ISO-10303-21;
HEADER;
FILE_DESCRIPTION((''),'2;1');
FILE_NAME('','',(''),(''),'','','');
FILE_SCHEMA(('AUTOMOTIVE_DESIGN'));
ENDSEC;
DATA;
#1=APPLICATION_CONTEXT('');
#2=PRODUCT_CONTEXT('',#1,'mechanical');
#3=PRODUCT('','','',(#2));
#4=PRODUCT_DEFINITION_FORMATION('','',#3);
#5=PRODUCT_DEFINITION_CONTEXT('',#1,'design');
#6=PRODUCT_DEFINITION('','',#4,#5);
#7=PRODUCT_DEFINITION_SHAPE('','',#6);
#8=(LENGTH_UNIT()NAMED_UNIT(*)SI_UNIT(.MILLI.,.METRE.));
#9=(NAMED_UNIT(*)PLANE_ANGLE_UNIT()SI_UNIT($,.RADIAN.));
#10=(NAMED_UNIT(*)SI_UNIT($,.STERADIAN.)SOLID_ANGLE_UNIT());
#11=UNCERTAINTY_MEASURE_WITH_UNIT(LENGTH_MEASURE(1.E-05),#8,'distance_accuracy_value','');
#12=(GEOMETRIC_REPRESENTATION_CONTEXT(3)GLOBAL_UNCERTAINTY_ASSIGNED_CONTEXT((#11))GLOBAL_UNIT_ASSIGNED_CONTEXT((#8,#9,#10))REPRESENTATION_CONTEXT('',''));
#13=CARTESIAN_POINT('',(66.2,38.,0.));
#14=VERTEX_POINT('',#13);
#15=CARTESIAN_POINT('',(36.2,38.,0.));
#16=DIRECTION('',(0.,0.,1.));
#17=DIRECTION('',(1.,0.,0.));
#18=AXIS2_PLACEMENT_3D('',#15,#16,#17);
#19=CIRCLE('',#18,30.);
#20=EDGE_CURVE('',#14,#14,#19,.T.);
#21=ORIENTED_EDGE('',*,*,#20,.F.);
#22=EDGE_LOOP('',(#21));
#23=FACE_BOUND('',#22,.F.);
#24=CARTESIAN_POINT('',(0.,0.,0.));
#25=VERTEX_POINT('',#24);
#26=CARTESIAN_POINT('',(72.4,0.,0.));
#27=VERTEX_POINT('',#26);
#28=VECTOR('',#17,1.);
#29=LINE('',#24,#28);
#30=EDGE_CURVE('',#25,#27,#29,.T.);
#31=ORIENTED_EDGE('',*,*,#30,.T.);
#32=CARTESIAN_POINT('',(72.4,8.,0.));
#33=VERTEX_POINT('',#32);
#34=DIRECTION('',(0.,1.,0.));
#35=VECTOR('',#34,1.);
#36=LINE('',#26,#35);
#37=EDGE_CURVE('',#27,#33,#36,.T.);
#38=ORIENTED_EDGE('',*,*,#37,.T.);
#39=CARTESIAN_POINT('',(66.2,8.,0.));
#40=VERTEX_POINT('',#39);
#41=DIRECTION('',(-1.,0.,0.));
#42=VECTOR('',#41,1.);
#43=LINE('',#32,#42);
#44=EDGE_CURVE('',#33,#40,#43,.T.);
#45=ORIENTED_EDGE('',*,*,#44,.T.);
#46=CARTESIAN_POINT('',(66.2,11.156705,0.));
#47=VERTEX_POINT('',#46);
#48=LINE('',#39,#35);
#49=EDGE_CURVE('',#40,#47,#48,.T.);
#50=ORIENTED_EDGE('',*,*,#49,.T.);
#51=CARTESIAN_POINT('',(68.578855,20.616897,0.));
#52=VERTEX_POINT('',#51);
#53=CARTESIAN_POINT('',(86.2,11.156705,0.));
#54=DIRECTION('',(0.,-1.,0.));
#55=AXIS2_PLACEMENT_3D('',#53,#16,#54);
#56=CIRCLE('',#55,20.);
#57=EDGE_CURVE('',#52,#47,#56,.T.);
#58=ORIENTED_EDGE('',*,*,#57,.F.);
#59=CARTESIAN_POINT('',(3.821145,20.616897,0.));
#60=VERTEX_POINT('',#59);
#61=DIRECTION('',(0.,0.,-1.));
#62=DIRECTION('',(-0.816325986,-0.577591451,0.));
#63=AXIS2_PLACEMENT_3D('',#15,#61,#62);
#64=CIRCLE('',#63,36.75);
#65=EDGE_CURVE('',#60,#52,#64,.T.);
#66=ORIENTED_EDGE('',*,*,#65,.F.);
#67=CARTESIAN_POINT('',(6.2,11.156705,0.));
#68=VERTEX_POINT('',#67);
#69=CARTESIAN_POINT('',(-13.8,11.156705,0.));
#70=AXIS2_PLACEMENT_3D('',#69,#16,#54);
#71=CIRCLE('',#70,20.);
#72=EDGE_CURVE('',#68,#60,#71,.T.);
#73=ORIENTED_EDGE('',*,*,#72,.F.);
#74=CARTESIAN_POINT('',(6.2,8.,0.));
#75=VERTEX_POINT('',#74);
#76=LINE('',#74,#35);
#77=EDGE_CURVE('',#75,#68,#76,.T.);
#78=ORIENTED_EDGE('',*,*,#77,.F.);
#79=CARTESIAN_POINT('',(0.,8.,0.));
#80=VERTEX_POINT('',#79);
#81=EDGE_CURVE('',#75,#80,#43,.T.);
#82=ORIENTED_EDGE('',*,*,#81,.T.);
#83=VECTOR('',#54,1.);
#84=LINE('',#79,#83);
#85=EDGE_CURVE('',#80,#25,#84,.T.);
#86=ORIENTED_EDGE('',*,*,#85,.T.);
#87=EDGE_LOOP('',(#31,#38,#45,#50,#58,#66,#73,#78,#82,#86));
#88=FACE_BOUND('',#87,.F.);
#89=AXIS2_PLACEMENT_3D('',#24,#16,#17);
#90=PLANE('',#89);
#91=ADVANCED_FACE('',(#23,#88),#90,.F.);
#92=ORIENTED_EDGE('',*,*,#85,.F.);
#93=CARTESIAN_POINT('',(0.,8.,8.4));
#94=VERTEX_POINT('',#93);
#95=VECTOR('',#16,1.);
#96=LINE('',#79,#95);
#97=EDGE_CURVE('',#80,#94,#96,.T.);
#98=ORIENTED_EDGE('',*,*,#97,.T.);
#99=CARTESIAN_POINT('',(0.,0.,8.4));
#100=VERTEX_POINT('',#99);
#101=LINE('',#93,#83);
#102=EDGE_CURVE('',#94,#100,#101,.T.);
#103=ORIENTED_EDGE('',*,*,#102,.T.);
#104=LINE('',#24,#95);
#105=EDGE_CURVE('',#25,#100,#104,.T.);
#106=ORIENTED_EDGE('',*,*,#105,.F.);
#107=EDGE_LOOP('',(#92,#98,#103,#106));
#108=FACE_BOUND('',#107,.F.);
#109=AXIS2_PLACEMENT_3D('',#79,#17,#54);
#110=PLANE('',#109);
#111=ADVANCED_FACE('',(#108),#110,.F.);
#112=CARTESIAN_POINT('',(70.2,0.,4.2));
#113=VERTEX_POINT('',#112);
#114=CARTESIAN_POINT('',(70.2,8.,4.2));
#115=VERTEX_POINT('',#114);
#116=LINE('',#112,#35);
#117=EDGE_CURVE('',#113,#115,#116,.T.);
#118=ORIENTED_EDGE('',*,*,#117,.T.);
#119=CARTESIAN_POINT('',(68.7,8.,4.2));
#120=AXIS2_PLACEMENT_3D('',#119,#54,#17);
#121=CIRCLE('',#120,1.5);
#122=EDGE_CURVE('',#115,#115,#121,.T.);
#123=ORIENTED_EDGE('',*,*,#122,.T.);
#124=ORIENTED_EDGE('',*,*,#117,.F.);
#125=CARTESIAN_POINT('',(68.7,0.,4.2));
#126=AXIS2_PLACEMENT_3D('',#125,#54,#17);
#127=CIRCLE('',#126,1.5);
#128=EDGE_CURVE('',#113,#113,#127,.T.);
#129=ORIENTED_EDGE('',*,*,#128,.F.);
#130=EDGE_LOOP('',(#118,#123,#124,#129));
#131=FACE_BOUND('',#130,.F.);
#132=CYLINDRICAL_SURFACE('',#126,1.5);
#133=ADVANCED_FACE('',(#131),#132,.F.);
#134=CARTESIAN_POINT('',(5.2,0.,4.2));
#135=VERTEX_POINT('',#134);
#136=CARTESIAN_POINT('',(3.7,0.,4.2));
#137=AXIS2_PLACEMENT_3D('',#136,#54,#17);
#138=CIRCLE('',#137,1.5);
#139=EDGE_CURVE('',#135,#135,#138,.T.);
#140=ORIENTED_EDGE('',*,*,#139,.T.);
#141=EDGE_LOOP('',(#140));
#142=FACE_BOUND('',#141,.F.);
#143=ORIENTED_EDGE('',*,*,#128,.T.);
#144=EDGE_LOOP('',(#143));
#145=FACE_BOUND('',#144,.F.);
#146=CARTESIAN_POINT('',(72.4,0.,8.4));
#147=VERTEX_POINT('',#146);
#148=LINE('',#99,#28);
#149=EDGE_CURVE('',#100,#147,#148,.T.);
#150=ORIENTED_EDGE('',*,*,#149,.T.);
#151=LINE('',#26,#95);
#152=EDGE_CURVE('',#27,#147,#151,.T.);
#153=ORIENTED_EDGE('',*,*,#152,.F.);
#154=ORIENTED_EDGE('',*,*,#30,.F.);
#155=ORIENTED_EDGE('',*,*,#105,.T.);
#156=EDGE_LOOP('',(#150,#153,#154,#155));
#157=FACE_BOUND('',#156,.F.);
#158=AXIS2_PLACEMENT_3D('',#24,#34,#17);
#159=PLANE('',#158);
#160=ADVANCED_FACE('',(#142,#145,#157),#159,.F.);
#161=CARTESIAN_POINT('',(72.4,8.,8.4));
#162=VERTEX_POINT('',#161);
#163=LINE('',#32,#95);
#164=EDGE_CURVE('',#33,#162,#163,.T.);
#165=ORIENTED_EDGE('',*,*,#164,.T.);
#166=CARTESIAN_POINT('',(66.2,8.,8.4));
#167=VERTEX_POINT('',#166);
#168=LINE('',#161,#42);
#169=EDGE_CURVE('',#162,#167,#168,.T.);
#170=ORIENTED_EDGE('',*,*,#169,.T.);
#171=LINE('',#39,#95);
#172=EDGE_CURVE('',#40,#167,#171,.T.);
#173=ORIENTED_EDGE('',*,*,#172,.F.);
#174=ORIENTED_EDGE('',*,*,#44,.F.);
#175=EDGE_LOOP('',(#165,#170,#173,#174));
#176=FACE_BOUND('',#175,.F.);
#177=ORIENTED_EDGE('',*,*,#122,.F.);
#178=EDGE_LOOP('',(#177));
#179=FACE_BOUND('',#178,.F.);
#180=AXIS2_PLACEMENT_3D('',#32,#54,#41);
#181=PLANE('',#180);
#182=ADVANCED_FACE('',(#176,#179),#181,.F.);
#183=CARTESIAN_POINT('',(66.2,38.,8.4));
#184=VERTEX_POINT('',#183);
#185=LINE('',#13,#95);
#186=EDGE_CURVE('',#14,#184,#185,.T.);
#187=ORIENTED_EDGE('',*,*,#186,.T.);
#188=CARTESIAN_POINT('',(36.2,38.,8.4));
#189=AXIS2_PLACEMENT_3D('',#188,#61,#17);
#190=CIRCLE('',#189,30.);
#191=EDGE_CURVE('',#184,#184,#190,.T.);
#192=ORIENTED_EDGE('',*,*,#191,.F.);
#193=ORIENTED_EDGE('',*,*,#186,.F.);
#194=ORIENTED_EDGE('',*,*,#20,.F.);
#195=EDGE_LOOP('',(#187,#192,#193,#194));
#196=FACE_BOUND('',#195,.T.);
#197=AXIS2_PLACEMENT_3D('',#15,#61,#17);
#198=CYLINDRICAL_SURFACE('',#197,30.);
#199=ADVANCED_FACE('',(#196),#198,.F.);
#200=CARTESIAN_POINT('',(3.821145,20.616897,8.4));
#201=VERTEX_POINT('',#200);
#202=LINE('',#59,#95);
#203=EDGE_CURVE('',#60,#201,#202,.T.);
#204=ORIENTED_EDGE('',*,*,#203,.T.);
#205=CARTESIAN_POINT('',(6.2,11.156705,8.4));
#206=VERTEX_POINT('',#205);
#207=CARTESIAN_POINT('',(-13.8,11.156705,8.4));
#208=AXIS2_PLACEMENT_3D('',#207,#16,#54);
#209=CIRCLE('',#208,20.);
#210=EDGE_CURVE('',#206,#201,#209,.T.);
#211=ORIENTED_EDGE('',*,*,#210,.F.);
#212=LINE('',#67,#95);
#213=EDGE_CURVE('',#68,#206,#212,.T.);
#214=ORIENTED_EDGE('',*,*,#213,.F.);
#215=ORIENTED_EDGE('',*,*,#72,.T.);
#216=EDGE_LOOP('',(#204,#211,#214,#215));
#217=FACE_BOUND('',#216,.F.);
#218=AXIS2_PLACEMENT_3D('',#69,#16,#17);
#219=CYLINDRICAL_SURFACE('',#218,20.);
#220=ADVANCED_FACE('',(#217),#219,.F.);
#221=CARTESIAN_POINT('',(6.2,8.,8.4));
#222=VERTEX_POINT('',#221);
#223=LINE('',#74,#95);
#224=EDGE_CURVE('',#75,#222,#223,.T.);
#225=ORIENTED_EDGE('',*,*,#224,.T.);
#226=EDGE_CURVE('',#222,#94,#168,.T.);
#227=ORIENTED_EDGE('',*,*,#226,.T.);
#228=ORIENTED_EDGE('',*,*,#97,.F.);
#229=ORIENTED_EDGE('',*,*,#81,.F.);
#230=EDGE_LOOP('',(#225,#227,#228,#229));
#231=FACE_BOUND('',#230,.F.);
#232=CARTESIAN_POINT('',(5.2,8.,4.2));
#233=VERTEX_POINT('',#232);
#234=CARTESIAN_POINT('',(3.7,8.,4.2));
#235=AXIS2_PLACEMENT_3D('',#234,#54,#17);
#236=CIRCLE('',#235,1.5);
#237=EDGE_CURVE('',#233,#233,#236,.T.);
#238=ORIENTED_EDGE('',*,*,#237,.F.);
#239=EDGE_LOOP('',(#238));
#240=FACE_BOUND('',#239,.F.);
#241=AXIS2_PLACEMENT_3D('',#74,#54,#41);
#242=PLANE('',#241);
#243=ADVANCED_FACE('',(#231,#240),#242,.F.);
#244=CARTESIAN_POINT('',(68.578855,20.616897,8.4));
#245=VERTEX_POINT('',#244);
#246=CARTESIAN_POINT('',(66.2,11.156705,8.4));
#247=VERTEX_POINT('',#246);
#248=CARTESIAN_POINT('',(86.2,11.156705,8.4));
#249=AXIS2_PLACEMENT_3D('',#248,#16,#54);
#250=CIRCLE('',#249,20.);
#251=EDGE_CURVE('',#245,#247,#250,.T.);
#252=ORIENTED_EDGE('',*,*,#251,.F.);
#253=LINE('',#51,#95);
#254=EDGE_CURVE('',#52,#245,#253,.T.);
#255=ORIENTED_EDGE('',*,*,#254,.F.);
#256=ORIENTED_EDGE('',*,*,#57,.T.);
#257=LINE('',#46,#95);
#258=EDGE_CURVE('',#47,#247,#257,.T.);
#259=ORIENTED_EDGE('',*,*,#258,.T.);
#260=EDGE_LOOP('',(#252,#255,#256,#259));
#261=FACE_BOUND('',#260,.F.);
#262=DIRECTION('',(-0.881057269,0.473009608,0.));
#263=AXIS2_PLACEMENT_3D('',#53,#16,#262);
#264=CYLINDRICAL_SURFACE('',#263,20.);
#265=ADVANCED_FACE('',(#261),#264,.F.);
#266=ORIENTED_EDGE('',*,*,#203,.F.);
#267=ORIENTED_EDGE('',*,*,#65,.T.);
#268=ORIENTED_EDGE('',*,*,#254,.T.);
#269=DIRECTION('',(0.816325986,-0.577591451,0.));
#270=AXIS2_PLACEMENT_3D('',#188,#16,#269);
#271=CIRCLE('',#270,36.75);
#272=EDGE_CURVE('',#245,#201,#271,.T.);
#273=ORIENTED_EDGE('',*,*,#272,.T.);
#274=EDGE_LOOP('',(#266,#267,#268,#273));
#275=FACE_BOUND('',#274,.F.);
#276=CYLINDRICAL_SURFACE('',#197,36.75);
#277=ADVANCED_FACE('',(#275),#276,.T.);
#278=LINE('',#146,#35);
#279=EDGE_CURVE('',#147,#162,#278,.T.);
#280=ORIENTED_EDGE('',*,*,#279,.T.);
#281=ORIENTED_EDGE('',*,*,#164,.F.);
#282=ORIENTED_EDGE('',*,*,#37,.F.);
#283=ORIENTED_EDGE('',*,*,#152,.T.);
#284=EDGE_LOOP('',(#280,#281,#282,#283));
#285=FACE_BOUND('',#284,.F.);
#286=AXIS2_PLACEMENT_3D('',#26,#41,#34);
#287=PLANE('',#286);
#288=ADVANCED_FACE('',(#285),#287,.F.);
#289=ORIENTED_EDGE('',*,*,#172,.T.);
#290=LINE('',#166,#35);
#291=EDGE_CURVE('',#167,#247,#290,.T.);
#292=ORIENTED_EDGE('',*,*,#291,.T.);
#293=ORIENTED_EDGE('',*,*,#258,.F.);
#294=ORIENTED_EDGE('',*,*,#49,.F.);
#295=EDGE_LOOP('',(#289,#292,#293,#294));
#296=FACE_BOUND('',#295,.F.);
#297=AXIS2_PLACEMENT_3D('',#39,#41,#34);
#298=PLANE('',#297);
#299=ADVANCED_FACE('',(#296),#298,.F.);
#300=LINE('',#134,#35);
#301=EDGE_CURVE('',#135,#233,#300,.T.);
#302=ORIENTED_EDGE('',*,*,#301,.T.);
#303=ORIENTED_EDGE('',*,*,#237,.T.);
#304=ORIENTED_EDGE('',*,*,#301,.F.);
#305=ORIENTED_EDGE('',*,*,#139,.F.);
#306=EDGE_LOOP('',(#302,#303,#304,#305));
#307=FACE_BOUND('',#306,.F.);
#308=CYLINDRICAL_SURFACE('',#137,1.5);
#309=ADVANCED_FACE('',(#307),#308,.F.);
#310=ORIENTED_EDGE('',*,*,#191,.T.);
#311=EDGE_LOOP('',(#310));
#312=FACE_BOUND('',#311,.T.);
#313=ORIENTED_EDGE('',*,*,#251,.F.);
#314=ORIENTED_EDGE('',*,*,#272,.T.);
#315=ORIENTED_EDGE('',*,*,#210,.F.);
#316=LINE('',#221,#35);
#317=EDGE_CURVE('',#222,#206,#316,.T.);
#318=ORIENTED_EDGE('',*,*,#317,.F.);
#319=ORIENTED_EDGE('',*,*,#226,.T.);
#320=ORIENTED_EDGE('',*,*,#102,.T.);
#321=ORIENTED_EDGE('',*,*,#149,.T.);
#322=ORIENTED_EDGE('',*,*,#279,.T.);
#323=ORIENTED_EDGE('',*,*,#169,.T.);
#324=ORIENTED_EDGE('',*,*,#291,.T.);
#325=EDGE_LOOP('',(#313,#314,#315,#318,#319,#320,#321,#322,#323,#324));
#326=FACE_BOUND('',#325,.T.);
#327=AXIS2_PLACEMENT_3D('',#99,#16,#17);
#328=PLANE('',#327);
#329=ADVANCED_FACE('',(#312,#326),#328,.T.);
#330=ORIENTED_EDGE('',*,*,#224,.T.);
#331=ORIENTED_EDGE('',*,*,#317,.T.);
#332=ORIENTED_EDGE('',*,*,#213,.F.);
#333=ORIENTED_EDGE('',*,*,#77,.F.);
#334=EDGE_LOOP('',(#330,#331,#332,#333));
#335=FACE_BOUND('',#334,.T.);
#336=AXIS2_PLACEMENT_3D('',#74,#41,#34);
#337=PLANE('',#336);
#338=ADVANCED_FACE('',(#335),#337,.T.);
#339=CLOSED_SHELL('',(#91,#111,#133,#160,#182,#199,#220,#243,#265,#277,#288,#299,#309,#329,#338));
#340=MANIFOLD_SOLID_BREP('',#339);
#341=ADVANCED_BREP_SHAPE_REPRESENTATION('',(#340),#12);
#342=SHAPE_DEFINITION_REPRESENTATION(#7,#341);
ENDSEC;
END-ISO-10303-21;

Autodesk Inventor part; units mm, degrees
ref_plane "YZ Plane" through (0, 0, 0) normal (1, 0, 0) x (0, 1, 0)
ref_plane "XZ Plane" through (0, 0, 0) normal (0, 1, 0) x (-1, 0, 0)
ref_plane "XY Plane" through (0, 0, 0) normal (0, 0, 1) x (1, 0, 0)
sketch "Sketch1" plane through (0, 0, 0) normal (0, 0, 1) x (1, 0, 0)
  line L0 (0, 0) -> (72.4, 0)
  line L1 (72.4, 0) -> (72.4, 8)
  line L2 (72.4, 8) -> (0, 8)
  line L3 (0, 8) -> (0, 0)
  line L4 (36.2, 8) -> (36.2, 38) construction
  circle A0 centre (36.2, 38) radius 30
  circle A1 centre (36.2, 38) radius 36.75
  line L5 (6.2, 8) -> (6.2, 16.7735)
  line L6 (66.2, 8) -> (66.2, 16.7735)
  dimension "d0" = 72.4
  dimension "d1" = 8
  dimension "d2" = 30
  dimension "d3" = 60
  dimension "d4" = 73.5
extrude "Extrusion1" add sketch "Sketch1" along normal blind 8.4
fillet "Fillet1" radius 20 2 edges at (66.2, 16.7735, 4.2) (6.2, 16.7735, 4.2)
sketch "Sketch2" plane through (0, 0, 0) normal (0, -1, 0) x (1, 0, 0)
  line L0 (72.4, 0) -> (72.4, 8.4) projected
  line L1 (0, 0) -> (0, 8.4) construction
  line L2 (0, 4.2) -> (3.7, 4.2) construction
  circle A0 centre (3.7, 4.2) radius 1.5
  line L3 (72.4, 4.2) -> (68.7, 4.2) construction
  circle A1 centre (68.7, 4.2) radius 1.5
  dimension "d8" = 3.7
  dimension "d9" = 3
  dimension "d10" = 3.7
  dimension "d11" = 3
extrude "Extrusion2" cut sketch "Sketch2" against normal up to surface (8 mm away)
properties part number "reservoir pump combo mount"
